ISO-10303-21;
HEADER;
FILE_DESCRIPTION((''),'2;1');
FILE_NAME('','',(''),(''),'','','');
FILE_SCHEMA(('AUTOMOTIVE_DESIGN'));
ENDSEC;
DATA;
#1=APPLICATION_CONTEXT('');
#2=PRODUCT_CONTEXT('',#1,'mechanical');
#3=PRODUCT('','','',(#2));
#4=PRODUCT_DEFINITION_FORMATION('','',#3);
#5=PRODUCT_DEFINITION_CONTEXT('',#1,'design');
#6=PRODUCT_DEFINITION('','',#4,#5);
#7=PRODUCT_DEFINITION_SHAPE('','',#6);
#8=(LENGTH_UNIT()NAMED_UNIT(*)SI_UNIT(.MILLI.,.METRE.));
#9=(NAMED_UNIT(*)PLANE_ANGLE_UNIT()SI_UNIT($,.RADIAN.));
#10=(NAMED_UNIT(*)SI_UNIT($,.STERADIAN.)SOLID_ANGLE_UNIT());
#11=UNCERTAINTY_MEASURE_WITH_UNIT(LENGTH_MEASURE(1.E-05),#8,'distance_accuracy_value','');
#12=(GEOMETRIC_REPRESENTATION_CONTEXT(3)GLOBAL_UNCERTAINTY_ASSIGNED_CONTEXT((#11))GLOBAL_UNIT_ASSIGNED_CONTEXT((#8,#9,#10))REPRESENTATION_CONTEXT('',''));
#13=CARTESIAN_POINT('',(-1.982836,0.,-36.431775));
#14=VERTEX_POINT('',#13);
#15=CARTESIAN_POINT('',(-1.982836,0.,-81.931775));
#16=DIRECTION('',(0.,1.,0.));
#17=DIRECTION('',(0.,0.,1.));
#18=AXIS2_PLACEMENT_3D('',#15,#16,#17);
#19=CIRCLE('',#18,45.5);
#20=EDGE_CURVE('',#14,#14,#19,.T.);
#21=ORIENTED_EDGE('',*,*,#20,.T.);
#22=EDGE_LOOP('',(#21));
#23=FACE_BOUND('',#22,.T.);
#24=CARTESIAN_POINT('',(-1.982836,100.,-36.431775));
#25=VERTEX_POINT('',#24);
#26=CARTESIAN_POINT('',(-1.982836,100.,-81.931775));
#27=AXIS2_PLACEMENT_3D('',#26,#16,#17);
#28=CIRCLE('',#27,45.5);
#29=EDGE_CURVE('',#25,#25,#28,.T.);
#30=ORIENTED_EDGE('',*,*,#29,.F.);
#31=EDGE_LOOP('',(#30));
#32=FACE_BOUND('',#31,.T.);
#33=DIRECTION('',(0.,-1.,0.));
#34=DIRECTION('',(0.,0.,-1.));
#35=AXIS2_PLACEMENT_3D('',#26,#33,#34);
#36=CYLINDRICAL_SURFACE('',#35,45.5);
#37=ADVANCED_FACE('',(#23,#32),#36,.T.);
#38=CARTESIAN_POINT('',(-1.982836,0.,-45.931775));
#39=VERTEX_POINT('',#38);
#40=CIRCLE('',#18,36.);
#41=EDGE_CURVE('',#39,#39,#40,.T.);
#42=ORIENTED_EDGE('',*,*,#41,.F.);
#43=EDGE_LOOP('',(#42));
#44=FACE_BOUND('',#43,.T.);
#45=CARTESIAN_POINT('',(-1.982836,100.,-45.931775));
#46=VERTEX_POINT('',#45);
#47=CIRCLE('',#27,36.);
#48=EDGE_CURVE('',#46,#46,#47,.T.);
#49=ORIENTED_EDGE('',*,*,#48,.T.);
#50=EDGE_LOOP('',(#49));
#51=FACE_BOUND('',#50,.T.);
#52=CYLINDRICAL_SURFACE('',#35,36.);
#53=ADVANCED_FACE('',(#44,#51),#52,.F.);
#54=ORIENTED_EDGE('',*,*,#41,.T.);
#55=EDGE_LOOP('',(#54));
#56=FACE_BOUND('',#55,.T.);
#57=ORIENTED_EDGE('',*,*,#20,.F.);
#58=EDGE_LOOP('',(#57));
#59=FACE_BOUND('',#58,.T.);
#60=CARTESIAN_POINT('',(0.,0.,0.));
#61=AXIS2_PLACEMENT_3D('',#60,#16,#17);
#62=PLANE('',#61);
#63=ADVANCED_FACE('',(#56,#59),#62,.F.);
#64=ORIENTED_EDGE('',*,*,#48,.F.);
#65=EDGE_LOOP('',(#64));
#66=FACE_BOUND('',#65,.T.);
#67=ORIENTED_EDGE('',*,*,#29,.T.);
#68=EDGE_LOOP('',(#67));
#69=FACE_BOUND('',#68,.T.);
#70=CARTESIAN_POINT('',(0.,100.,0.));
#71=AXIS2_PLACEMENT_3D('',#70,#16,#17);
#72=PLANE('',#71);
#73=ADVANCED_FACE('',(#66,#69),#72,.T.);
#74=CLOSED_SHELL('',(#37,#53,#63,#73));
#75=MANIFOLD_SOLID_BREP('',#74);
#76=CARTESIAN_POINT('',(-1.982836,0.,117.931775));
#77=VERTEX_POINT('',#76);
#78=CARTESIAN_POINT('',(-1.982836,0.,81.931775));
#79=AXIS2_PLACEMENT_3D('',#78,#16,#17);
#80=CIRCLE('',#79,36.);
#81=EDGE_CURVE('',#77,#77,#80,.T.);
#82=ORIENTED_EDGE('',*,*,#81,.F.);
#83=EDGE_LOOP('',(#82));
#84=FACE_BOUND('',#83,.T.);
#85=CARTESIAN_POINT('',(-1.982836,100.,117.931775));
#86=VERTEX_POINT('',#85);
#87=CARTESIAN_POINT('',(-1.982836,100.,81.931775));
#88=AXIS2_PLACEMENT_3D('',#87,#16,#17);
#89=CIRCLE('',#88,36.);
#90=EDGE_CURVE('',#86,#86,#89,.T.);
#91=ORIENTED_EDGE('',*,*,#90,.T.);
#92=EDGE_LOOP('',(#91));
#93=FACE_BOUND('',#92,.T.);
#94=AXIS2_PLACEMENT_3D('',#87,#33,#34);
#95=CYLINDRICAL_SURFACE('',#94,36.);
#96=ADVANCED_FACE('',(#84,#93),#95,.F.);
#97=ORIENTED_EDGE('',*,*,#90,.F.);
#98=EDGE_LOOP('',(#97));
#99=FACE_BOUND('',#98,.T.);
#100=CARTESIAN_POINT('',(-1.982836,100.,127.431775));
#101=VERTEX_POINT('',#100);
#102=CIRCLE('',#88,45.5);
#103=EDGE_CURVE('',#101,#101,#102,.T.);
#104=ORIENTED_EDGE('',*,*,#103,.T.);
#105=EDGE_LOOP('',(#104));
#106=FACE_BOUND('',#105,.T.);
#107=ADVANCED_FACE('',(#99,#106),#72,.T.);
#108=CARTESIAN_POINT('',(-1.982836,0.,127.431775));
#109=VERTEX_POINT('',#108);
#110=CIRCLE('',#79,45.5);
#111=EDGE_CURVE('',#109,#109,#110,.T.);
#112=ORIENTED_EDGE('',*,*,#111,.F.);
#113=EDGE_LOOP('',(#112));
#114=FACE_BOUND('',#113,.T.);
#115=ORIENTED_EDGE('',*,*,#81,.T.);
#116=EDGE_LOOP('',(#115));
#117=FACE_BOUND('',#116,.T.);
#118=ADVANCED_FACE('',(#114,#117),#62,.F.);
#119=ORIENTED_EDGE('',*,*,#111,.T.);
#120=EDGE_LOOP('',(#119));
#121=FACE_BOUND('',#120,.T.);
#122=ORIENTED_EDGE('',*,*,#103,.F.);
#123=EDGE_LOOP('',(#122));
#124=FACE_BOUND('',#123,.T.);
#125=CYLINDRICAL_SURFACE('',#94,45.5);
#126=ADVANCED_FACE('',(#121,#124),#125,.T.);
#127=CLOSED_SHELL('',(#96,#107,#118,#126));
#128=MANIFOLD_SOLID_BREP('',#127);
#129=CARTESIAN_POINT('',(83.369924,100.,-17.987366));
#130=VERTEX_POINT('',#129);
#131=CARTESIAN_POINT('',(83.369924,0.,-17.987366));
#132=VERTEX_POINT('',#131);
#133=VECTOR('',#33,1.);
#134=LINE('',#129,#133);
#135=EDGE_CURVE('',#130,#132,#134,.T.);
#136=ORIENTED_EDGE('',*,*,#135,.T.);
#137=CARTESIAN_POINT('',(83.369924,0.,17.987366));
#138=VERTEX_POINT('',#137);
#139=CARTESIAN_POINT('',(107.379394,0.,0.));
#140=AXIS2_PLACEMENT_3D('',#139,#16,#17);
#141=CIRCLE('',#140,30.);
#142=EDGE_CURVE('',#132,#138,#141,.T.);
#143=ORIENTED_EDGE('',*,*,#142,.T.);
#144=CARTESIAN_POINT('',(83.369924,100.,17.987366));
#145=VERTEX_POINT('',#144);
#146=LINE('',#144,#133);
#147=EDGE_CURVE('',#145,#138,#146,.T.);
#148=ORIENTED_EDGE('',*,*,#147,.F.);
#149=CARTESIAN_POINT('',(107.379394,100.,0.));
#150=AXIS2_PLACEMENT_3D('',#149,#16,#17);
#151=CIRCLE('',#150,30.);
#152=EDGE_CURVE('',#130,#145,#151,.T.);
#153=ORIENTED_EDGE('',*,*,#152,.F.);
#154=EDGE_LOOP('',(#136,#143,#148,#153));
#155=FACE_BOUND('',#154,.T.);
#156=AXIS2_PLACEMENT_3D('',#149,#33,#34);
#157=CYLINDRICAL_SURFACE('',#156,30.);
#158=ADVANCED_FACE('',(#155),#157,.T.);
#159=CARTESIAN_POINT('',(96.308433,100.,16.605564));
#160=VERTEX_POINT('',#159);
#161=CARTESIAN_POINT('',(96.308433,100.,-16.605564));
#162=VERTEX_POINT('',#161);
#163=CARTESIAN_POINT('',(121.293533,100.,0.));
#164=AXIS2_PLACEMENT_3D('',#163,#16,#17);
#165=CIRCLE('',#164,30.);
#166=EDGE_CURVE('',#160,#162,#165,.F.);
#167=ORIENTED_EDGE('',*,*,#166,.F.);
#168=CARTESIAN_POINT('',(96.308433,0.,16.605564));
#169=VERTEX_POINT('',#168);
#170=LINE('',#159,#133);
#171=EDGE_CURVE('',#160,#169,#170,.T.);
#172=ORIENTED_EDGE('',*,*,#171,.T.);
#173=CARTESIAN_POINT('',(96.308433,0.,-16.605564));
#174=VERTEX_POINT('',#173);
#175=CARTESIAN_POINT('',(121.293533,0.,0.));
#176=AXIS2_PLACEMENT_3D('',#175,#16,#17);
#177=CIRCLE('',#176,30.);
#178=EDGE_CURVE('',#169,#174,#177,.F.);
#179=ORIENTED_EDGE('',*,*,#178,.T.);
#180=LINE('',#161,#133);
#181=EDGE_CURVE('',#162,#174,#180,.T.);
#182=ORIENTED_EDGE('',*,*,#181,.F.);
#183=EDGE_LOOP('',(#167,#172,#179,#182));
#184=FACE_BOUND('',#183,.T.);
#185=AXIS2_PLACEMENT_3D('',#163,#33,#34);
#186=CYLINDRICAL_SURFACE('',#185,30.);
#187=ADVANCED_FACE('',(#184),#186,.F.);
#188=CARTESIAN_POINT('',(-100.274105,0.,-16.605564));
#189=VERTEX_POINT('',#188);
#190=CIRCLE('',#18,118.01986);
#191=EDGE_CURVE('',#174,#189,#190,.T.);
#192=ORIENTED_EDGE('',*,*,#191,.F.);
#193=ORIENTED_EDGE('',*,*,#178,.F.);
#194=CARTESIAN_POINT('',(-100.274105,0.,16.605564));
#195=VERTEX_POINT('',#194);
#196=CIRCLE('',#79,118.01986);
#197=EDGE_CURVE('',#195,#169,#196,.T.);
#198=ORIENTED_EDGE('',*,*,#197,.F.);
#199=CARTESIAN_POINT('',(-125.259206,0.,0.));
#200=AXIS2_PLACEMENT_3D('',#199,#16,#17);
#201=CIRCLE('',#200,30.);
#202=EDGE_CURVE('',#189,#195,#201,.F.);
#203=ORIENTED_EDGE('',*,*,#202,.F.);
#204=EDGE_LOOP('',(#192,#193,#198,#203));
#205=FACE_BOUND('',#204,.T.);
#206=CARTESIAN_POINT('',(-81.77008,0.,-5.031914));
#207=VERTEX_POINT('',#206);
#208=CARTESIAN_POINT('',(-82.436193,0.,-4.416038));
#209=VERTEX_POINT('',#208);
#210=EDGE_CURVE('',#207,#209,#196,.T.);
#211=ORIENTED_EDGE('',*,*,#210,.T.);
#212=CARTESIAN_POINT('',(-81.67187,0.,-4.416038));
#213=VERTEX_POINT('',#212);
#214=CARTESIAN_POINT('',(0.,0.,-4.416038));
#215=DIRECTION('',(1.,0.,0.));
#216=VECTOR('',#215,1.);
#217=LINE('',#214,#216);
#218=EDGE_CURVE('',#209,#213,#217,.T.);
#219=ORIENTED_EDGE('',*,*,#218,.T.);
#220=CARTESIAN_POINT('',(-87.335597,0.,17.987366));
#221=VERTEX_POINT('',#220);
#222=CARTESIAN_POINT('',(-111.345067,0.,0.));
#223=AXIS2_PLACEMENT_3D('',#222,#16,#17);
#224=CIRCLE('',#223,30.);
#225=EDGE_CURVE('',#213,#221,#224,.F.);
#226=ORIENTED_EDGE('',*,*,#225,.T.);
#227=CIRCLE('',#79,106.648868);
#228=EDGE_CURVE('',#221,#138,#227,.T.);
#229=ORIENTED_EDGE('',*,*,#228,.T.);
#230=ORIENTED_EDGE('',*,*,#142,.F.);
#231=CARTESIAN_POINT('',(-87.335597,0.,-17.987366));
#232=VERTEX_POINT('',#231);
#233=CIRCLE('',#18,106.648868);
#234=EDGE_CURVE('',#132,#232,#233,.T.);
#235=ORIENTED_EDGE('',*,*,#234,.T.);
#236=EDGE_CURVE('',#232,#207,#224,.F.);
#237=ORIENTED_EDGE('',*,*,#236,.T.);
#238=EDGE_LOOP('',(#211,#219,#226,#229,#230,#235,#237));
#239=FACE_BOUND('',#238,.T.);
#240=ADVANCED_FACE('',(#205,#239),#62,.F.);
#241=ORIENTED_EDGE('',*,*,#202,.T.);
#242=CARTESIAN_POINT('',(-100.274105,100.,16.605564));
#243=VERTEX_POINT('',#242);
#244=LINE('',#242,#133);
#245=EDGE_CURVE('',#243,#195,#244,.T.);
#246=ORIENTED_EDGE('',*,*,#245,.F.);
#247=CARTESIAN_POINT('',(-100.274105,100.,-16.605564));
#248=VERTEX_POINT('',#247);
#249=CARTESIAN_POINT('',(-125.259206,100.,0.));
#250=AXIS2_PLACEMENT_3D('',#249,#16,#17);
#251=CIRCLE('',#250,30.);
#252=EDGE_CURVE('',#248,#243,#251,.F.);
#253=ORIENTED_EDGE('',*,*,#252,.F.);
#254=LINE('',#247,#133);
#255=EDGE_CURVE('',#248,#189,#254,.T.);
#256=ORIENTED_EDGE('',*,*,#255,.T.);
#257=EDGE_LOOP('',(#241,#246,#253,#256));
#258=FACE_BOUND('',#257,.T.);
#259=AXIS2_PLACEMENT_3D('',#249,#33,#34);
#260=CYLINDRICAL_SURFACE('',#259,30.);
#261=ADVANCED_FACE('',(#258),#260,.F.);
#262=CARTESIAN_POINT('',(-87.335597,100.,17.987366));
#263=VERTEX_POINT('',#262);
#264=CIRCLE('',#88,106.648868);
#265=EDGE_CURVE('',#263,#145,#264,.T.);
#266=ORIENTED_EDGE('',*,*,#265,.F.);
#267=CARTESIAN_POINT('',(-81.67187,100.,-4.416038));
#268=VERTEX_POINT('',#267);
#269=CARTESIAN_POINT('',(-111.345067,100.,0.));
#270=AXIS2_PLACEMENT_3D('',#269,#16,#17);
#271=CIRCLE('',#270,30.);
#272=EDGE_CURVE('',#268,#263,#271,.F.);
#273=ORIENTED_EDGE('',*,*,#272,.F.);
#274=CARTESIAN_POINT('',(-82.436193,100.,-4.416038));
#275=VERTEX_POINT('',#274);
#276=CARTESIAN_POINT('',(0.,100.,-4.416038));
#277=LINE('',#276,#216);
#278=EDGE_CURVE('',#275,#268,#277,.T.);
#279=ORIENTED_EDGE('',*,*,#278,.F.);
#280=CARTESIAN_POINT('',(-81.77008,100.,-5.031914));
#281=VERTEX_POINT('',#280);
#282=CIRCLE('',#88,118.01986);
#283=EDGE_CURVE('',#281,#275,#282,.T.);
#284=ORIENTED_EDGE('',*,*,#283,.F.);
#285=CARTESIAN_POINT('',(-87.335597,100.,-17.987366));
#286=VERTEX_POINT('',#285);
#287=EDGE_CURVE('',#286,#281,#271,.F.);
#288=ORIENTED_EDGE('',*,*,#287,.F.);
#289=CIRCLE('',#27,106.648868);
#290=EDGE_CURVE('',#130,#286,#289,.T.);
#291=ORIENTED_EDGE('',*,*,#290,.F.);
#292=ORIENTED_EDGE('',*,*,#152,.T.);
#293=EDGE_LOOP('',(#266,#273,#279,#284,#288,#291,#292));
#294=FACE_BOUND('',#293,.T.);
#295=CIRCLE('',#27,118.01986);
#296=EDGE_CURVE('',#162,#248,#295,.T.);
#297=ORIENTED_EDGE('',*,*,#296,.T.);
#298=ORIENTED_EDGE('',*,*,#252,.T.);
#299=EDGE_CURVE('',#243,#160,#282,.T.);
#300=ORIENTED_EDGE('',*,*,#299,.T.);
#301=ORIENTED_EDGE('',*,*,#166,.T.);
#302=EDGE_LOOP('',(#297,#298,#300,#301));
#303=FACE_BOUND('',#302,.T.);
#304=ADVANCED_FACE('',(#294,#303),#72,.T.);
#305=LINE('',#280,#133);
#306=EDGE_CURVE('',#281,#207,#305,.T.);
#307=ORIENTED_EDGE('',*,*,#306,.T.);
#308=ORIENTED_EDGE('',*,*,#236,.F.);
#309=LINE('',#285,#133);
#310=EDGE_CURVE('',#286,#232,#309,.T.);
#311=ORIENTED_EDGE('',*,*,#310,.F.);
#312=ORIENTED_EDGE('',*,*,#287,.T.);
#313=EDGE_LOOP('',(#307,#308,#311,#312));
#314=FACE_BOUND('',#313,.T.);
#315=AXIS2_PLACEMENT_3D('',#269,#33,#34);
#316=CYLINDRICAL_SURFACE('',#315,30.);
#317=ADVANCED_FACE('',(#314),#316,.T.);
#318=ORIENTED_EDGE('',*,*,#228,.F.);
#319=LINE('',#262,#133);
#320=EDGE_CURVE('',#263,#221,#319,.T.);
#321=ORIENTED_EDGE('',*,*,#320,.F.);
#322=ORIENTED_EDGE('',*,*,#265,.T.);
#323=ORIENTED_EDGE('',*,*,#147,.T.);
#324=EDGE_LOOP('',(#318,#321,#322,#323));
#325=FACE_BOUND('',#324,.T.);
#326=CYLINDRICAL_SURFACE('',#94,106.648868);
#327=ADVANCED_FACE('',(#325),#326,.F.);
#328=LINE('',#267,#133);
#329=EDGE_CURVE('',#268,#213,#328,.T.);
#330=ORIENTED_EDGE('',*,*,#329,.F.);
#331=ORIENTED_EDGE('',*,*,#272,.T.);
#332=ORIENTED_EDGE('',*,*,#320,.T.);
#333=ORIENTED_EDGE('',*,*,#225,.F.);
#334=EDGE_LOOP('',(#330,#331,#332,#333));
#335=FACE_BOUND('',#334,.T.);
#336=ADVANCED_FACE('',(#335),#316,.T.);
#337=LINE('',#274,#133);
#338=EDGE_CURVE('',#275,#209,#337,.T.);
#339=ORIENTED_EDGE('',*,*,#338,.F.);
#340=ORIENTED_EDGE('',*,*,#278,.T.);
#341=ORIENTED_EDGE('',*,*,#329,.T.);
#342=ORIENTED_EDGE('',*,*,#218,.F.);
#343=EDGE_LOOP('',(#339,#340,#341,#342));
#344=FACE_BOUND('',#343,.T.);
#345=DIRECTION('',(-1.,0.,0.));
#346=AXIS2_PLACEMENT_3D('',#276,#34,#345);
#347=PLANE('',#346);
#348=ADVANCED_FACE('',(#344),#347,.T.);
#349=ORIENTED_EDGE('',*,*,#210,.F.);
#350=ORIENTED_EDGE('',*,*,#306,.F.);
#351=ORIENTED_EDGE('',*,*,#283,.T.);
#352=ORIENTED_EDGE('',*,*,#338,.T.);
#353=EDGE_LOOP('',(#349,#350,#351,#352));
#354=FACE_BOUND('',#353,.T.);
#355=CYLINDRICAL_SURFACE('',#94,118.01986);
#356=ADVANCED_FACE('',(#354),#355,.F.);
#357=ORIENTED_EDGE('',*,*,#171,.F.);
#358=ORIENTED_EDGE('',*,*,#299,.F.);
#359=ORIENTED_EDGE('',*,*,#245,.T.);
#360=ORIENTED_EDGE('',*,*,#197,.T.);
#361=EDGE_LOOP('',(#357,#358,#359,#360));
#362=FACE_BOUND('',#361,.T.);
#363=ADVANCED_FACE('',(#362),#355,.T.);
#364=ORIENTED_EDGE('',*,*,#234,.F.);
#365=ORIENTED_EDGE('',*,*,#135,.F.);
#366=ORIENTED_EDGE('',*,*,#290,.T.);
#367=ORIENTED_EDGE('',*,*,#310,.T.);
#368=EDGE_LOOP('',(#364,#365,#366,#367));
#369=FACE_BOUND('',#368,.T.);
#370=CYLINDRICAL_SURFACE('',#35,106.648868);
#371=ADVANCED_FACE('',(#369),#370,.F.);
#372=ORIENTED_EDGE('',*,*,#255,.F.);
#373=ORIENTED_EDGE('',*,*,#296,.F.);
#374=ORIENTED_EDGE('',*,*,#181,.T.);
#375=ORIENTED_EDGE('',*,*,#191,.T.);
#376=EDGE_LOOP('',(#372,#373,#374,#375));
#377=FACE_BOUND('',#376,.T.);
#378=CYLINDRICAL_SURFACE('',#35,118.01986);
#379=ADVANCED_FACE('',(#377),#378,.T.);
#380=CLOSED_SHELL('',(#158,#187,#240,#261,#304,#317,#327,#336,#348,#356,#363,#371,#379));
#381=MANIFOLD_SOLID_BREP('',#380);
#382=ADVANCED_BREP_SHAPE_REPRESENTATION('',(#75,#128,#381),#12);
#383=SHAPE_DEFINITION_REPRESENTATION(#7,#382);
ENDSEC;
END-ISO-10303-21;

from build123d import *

# Parameters (mm, degrees)
BOSS_EXTRUDE1_DEPTH   = 100
SKETCH8_R             = 45.5
SKETCH8_R_2           = 36
BOSS_EXTRUDE1_2_DEPTH = 100
BOSS_EXTRUDE1_3_DEPTH = 100


with BuildPart() as part:
    # Sketch8 → Boss-Extrude1 (new body)
    with BuildSketch(Plane(origin=(0, 0, 0), x_dir=(1, 0, 0), z_dir=(0, 1, 0))):
        with BuildLine():
            ThreePointArc((-100.274105053, 16.605563859), (-95.259205592, 0), (-100.274105053, -16.605563859))
            ThreePointArc((-100.274105053, -16.605563859), (-1.982836217, -199.951634424), (96.308432618, -16.605563859))
            ThreePointArc((96.308432618, -16.605563859), (91.293533157, 0), (96.308432618, 16.605563859))
            ThreePointArc((96.308432618, 16.605563859), (-1.982836217, 199.951634424), (-100.274105053, 16.605563859))
        make_face()
        with BuildLine():
            ThreePointArc((83.369924338, 17.98736622), (77.379394479, 0), (83.369924338, -17.98736622))
            ThreePointArc((83.369924338, -17.98736622), (-1.982836217, -188.580642728), (-87.335596772, -17.98736622))
            ThreePointArc((-87.335596772, -17.98736622), (-82.260099756, -7.352869197), (-81.671870152, 4.416038264))
            Line((-81.671870152, 4.416038264), (-82.436192616, 4.416038264))
            ThreePointArc((-82.436192616, 4.416038264), (-82.103728119, 4.72461595), (-81.770080085, 5.031913559))
            ThreePointArc((-81.770080085, 5.031913559), (-83.780879177, 11.841264898), (-87.335596772, 17.98736622))
            ThreePointArc((-87.335596772, 17.98736622), (-1.982836217, 188.580642728), (83.369924338, 17.98736622))
        make_face(mode=Mode.SUBTRACT)
    extrude(amount=BOSS_EXTRUDE1_DEPTH)


with BuildPart() as body_2:
    # Sketch8 → Boss-Extrude1 2 (new body)
    with BuildSketch(Plane(origin=(0, 0, 0), x_dir=(1, 0, 0), z_dir=(0, 1, 0))):
        with Locations(Location((-1.982836217, 81.931774528, 0), (0, 0, 270))):
            Circle(SKETCH8_R)
        with Locations(Location((-1.982836217, 81.931774528, 0), (0, 0, 270))):
            Circle(SKETCH8_R_2, mode=Mode.SUBTRACT)
    extrude(amount=BOSS_EXTRUDE1_2_DEPTH)


with BuildPart() as body_3:
    # Sketch8 → Boss-Extrude1 3 (new body)
    with BuildSketch(Plane(origin=(0, 0, 0), x_dir=(1, 0, 0), z_dir=(0, 1, 0))):
        with Locations(Location((-1.982836217, -81.931774528, 0), (0, 0, 270))):
            Circle(SKETCH8_R)
        with Locations(Location((-1.982836217, -81.931774528, 0), (0, 0, 270))):
            Circle(SKETCH8_R_2, mode=Mode.SUBTRACT)
    extrude(amount=BOSS_EXTRUDE1_3_DEPTH)


solid = Compound([part.part, body_2.part, body_3.part])
